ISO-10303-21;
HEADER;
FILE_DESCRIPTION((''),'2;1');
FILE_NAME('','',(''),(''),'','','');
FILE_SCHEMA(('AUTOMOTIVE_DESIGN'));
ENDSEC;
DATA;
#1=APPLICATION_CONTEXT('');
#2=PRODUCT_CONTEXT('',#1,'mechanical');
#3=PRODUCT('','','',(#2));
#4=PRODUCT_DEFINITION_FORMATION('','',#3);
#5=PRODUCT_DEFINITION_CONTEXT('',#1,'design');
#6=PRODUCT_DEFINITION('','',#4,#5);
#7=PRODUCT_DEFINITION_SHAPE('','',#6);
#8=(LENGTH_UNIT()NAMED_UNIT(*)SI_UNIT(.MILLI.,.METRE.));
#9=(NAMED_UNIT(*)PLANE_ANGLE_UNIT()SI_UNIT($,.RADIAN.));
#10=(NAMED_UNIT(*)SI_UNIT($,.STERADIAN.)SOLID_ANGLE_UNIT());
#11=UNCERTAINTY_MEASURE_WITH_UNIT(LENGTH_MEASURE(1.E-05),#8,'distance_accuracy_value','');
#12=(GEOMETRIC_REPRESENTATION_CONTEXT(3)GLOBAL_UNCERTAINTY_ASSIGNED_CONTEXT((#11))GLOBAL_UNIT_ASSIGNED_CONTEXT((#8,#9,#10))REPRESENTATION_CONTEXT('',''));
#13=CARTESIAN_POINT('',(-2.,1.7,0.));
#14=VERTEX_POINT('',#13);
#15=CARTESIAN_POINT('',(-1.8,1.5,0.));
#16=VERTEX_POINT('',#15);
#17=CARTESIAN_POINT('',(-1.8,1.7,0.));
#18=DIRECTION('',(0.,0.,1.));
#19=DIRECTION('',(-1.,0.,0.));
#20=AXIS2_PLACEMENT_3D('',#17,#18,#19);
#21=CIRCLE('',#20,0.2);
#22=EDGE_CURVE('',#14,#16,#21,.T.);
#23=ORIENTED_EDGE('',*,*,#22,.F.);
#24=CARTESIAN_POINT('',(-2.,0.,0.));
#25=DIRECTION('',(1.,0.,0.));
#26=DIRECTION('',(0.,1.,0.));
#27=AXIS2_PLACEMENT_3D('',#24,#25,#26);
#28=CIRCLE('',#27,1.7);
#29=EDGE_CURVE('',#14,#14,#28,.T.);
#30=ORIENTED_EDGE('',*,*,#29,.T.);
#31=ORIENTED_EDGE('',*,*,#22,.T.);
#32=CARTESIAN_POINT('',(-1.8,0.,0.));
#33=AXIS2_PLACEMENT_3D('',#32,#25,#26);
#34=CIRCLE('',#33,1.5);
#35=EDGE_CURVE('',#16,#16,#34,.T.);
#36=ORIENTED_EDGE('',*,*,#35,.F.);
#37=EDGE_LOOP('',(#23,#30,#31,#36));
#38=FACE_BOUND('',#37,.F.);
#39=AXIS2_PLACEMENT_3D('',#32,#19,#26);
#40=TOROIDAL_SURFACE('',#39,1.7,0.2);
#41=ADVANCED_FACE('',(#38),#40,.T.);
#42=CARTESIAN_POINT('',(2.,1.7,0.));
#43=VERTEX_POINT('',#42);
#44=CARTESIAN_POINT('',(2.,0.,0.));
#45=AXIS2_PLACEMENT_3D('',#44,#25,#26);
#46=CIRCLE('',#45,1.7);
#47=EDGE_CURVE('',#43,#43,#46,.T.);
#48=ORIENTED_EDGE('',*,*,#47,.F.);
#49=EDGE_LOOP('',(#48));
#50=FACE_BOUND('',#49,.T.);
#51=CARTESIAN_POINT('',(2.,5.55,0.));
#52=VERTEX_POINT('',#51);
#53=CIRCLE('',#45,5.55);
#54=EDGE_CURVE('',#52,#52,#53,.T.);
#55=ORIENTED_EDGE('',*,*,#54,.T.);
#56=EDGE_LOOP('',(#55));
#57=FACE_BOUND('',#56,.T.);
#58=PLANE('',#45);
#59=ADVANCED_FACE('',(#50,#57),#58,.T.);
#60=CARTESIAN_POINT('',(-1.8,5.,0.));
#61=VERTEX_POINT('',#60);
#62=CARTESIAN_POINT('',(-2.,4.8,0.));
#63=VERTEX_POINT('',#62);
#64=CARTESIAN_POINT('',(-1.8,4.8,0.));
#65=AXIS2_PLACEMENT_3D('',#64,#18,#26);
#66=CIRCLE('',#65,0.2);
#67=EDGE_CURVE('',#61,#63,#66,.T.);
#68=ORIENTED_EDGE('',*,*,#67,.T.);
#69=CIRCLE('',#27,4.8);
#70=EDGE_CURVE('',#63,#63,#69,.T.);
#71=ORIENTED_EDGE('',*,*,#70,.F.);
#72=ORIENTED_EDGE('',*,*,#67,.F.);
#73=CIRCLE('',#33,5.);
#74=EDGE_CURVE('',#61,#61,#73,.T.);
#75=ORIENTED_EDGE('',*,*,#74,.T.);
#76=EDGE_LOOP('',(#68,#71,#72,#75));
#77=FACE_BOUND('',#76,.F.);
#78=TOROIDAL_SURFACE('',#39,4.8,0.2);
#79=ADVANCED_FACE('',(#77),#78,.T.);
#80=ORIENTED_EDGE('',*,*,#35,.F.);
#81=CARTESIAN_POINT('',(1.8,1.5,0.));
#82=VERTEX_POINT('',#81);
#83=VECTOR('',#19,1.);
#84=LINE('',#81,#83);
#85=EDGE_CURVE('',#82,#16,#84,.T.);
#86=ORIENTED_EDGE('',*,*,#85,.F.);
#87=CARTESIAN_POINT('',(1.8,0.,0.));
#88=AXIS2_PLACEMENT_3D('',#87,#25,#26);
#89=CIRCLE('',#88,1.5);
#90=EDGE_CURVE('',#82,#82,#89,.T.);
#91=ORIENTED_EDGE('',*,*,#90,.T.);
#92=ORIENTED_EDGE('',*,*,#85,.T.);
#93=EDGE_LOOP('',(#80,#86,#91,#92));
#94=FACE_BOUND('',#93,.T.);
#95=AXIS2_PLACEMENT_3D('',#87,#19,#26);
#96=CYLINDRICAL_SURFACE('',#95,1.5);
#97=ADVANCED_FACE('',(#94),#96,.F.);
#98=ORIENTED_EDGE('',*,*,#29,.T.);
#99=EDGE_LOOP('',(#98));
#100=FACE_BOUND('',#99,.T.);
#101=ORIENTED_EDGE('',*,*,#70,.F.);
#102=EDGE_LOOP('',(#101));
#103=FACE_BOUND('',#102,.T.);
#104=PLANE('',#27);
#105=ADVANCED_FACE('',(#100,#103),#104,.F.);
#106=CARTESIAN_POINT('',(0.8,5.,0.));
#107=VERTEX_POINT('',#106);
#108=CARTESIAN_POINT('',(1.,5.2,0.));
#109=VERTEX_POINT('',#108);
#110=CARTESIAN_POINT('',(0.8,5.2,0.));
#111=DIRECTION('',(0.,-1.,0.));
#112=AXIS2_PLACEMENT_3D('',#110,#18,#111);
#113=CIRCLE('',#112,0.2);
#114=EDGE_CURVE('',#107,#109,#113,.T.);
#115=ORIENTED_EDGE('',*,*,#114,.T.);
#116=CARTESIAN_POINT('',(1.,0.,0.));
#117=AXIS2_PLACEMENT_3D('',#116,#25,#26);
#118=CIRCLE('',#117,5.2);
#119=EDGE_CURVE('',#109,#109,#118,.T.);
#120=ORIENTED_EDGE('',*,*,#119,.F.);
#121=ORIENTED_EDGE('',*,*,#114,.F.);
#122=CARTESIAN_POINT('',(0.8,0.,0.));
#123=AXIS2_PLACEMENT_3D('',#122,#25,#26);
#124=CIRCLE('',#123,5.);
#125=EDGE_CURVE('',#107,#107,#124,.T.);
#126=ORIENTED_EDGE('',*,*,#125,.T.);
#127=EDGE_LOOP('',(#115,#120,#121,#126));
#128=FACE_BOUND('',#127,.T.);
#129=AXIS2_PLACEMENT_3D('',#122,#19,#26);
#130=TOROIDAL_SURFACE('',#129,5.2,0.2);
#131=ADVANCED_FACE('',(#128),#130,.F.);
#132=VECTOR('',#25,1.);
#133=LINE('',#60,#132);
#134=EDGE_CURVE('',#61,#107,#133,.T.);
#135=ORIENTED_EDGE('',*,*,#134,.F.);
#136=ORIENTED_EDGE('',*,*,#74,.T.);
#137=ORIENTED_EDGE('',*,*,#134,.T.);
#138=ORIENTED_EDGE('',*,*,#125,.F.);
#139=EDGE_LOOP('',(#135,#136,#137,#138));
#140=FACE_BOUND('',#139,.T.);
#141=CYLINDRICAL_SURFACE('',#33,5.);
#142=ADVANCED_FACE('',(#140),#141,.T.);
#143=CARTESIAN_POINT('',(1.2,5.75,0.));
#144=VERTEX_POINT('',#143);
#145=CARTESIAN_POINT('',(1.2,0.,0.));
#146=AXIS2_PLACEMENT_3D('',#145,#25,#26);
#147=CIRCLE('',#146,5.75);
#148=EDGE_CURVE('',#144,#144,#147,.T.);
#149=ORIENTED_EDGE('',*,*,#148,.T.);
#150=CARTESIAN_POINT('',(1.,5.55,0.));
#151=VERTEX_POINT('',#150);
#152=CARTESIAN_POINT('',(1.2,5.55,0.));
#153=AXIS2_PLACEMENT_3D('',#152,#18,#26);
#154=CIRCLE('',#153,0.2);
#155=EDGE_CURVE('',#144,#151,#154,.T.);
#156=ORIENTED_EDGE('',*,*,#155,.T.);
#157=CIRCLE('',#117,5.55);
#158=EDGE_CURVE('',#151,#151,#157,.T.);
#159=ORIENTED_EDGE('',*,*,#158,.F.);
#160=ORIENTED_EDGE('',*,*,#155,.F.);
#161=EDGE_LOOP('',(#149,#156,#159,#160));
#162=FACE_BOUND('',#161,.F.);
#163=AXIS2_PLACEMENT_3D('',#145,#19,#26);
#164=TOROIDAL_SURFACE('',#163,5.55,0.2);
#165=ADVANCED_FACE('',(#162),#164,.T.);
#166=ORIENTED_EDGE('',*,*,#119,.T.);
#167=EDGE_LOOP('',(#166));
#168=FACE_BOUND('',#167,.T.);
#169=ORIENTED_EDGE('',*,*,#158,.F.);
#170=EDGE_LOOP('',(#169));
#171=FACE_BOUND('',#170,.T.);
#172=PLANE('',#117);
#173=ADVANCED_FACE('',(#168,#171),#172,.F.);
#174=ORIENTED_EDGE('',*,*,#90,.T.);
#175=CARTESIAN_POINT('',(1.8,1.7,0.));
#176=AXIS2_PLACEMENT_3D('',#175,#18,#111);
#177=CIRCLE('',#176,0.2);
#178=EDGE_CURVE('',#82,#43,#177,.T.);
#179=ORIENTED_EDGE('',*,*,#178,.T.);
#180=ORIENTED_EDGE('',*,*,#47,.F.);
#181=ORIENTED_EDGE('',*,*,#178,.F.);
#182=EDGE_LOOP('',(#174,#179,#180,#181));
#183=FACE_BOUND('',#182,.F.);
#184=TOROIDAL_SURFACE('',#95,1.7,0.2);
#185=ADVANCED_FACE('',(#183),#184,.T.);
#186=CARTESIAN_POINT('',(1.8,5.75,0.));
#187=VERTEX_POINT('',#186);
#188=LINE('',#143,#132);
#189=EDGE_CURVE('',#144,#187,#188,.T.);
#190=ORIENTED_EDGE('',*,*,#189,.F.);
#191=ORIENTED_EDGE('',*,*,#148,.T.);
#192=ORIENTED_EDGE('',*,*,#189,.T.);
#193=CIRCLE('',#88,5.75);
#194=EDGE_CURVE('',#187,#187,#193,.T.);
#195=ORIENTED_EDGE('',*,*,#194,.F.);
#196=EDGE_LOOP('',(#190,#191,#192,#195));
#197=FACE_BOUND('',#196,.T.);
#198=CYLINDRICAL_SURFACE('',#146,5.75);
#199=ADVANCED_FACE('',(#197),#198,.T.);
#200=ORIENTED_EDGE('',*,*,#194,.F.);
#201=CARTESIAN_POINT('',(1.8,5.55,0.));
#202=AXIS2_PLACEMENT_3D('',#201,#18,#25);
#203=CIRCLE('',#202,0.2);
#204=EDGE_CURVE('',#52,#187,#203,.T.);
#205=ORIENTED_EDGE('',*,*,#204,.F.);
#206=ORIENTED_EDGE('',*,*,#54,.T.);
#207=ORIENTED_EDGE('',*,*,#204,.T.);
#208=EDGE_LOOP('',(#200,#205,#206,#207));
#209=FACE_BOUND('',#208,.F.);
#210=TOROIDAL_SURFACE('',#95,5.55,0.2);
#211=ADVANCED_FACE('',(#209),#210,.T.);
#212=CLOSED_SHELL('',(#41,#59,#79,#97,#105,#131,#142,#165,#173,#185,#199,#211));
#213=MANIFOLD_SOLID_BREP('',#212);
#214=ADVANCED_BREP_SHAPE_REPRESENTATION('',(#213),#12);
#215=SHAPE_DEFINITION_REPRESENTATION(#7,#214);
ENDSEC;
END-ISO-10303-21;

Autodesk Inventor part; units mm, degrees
ref_plane "YZ Plane" through (0, 0, 0) normal (1, 0, 0) x (0, 1, 0)
ref_plane "XZ Plane" through (0, 0, 0) normal (0, 1, 0) x (-1, 0, 0)
ref_plane "XY Plane" through (0, 0, 0) normal (0, 0, 1) x (1, 0, 0)
sketch "Esquisse1" plane through (0, 0, 0) normal (0, 0, 1) x (1, 0, 0)
  line L0 (-4.4077, 0) -> (0, 0)
  line L1 (1.8, 1.5) -> (-1.8, 1.5)
  line L2 (-2, 1.7) -> (-2, 4.8)
  line L3 (-1.8, 5) -> (0.8, 5)
  line L4 (1, 5.2) -> (1, 5.55)
  line L5 (1.2, 5.75) -> (1.8, 5.75)
  line L6 (2, 5.55) -> (2, 1.7)
  arc A0 (-1.8, 5) -> (-2, 4.8) centre (-1.8, 4.8) ccw
  arc A1 (-2, 1.7) -> (-1.8, 1.5) centre (-1.8, 1.7) ccw
  arc A2 (1.8, 1.5) -> (2, 1.7) centre (1.8, 1.7) ccw
  arc A3 (2, 5.55) -> (1.8, 5.75) centre (1.8, 5.55) ccw
  arc A4 (1.2, 5.75) -> (1, 5.55) centre (1.2, 5.55) ccw
  arc A5 (0.8, 5) -> (1, 5.2) centre (0.8, 5.2) ccw
  point P0 (1, 5.75)
  point P1 (2, 5.75)
  dimension "d0" = 3
  dimension "d1" = 4
  dimension "d2" = 11.5
  dimension "d3" = 10
  dimension "d4" = 1
  dimension "d5" = 2
  dimension "d6" = 0.2
revolve "Révolution1" add sketch "Esquisse1" angle 360 about axis through (-4.4077, 0, 0) along (1, 0, 0)
equation "\"d5\" = 0.5 * d1"
properties part number "Roulement a bille F623ZZ" material "----------"
